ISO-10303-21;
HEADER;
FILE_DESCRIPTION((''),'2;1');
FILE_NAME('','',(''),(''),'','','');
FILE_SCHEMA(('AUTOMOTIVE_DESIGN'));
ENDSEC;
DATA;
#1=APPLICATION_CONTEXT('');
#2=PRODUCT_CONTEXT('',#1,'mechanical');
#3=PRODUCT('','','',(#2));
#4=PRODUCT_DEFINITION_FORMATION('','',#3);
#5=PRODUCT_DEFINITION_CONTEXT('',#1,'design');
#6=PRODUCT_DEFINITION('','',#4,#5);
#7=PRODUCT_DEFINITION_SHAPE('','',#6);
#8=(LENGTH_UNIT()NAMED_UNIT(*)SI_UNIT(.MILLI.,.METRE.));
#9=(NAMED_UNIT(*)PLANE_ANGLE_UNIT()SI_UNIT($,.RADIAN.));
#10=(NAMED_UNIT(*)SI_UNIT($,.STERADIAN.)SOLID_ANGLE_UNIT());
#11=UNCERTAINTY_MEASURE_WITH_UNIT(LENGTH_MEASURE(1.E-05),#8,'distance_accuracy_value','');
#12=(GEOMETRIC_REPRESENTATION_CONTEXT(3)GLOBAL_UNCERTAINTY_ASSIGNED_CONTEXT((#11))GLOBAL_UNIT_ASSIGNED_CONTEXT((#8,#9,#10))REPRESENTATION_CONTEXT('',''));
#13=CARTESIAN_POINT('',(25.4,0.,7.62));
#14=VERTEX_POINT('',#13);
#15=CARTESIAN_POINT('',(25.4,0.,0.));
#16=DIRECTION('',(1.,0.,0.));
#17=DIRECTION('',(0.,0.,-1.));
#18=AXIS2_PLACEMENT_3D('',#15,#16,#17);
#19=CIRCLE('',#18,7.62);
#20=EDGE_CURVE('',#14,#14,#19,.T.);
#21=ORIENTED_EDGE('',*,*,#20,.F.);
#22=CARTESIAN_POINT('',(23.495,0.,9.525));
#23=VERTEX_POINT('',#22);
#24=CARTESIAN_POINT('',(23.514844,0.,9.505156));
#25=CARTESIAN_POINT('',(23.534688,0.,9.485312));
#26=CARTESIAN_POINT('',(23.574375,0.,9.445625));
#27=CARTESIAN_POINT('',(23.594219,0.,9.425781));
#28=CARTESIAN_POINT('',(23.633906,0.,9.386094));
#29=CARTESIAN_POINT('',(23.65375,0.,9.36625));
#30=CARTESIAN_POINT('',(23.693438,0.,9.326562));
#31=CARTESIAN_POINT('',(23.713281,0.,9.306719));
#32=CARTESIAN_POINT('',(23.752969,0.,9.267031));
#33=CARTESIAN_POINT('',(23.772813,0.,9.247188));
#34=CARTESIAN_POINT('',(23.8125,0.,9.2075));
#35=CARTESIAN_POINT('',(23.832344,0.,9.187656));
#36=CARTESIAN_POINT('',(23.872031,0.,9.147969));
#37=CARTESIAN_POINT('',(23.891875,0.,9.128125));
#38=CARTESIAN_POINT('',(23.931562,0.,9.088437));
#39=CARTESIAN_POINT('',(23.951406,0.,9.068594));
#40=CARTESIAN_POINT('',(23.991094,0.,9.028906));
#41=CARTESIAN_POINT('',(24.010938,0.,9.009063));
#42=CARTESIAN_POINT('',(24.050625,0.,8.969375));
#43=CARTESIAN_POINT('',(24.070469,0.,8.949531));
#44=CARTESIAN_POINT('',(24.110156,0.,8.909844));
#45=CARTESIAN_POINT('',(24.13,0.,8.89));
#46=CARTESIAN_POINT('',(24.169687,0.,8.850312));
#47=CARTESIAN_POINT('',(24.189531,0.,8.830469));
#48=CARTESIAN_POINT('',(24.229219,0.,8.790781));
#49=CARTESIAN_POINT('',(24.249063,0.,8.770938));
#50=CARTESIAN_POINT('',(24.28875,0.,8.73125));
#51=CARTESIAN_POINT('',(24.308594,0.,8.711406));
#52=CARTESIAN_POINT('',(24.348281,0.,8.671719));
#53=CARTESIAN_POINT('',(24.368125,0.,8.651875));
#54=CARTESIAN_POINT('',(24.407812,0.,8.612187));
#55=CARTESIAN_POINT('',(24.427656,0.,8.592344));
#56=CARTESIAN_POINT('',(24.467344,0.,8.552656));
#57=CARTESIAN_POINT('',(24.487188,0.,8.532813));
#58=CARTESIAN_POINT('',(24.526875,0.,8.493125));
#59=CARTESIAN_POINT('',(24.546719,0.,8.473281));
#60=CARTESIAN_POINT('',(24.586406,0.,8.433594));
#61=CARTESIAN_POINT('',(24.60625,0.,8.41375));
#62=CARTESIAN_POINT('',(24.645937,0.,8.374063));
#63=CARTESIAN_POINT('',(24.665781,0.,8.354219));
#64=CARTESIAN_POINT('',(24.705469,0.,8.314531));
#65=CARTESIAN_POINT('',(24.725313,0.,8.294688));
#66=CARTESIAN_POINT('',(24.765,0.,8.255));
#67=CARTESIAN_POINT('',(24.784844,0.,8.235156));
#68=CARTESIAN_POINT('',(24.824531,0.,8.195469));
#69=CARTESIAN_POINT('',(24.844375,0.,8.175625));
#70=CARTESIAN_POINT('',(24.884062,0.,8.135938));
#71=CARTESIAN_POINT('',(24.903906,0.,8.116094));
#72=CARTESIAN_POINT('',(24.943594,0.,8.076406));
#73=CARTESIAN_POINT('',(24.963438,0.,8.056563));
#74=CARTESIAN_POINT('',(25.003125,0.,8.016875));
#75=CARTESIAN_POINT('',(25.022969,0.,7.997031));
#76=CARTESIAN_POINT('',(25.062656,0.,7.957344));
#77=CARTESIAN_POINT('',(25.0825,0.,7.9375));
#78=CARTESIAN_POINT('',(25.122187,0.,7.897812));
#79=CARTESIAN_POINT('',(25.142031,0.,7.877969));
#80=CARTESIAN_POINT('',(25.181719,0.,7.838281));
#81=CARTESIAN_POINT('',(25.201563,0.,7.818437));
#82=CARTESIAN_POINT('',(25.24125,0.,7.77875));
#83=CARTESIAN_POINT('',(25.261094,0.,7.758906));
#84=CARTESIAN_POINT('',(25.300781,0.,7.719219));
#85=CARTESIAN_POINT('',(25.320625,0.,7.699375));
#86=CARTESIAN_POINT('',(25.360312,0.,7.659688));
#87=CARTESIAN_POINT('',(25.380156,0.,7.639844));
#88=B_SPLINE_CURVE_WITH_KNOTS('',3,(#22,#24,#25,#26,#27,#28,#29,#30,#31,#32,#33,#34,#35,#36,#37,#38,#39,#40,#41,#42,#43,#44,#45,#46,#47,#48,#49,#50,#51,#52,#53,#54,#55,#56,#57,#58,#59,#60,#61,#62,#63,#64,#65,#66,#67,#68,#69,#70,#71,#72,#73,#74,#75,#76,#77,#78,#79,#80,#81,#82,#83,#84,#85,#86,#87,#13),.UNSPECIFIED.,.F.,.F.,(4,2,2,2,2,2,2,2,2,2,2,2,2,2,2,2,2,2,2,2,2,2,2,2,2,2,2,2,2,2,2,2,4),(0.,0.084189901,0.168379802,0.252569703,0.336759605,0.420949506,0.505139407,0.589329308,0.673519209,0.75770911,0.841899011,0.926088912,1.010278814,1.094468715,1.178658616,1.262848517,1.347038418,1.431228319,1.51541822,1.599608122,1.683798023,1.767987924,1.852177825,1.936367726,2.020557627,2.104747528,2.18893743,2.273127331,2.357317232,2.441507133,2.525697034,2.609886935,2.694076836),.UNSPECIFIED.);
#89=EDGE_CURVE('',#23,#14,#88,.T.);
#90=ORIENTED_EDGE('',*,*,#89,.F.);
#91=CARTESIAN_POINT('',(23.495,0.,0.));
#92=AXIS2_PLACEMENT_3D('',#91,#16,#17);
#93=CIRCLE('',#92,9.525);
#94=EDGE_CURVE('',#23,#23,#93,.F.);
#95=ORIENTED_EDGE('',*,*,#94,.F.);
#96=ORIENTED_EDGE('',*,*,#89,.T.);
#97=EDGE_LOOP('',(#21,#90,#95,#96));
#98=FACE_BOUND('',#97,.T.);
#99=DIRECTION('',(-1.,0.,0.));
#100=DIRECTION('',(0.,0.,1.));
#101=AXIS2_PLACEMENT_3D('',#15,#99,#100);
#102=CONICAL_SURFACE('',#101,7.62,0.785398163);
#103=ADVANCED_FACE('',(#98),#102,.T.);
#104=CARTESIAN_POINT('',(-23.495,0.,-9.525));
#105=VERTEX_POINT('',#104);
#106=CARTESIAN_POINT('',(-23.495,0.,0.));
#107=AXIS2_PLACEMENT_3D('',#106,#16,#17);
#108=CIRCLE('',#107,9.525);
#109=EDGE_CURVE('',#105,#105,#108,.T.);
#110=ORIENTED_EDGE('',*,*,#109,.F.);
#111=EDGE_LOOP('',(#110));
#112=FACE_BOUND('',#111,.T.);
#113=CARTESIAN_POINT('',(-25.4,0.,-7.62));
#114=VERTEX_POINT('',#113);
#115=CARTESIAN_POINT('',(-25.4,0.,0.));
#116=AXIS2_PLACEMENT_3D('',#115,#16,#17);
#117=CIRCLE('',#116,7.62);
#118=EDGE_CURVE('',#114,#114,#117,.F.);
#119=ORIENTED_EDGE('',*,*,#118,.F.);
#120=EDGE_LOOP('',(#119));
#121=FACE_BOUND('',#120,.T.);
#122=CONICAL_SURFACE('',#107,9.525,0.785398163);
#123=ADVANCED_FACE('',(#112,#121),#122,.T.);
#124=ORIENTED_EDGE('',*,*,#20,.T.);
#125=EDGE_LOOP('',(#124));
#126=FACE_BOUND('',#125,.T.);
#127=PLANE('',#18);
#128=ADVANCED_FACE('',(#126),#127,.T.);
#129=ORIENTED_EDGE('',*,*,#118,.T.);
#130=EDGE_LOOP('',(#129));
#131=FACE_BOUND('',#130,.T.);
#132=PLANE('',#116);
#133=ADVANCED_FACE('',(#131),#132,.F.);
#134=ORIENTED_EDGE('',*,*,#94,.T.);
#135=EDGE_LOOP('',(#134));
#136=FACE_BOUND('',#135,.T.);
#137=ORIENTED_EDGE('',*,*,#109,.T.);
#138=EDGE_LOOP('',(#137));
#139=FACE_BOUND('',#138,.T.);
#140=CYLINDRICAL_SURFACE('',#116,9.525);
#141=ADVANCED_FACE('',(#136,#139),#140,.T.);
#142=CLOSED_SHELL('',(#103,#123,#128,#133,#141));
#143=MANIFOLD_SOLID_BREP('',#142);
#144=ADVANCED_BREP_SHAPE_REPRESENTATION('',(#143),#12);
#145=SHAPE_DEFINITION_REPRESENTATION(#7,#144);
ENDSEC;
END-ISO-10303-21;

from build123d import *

# Parameters (mm, degrees)
EXTRUDE1_DEPTH      = 25.4
EXTRUDE1_DEPTH_BACK = 25.4
SKETCH2_R           = 9.525
CHAMFER1_SIZE       = 1.905


with BuildPart() as part:
    # Sketch2 → Extrude1 (new, two sides: drawn at the far end of the back side and taken through both)
    with BuildSketch(Plane(origin=(0, 0, 0), x_dir=(0, 0, -1), z_dir=(1, 0, 0)).offset(-EXTRUDE1_DEPTH_BACK)):
        Circle(SKETCH2_R)
    extrude(amount=EXTRUDE1_DEPTH + EXTRUDE1_DEPTH_BACK)

    # Chamfer1
    chamfer1_edges = [part.edges().sort_by_distance(p)[0] for p in [
        (-25.4, 0, 9.525),
        (25.4, 0, 9.525),
    ]]
    chamfer(chamfer1_edges, length=CHAMFER1_SIZE)


solid = part.part
